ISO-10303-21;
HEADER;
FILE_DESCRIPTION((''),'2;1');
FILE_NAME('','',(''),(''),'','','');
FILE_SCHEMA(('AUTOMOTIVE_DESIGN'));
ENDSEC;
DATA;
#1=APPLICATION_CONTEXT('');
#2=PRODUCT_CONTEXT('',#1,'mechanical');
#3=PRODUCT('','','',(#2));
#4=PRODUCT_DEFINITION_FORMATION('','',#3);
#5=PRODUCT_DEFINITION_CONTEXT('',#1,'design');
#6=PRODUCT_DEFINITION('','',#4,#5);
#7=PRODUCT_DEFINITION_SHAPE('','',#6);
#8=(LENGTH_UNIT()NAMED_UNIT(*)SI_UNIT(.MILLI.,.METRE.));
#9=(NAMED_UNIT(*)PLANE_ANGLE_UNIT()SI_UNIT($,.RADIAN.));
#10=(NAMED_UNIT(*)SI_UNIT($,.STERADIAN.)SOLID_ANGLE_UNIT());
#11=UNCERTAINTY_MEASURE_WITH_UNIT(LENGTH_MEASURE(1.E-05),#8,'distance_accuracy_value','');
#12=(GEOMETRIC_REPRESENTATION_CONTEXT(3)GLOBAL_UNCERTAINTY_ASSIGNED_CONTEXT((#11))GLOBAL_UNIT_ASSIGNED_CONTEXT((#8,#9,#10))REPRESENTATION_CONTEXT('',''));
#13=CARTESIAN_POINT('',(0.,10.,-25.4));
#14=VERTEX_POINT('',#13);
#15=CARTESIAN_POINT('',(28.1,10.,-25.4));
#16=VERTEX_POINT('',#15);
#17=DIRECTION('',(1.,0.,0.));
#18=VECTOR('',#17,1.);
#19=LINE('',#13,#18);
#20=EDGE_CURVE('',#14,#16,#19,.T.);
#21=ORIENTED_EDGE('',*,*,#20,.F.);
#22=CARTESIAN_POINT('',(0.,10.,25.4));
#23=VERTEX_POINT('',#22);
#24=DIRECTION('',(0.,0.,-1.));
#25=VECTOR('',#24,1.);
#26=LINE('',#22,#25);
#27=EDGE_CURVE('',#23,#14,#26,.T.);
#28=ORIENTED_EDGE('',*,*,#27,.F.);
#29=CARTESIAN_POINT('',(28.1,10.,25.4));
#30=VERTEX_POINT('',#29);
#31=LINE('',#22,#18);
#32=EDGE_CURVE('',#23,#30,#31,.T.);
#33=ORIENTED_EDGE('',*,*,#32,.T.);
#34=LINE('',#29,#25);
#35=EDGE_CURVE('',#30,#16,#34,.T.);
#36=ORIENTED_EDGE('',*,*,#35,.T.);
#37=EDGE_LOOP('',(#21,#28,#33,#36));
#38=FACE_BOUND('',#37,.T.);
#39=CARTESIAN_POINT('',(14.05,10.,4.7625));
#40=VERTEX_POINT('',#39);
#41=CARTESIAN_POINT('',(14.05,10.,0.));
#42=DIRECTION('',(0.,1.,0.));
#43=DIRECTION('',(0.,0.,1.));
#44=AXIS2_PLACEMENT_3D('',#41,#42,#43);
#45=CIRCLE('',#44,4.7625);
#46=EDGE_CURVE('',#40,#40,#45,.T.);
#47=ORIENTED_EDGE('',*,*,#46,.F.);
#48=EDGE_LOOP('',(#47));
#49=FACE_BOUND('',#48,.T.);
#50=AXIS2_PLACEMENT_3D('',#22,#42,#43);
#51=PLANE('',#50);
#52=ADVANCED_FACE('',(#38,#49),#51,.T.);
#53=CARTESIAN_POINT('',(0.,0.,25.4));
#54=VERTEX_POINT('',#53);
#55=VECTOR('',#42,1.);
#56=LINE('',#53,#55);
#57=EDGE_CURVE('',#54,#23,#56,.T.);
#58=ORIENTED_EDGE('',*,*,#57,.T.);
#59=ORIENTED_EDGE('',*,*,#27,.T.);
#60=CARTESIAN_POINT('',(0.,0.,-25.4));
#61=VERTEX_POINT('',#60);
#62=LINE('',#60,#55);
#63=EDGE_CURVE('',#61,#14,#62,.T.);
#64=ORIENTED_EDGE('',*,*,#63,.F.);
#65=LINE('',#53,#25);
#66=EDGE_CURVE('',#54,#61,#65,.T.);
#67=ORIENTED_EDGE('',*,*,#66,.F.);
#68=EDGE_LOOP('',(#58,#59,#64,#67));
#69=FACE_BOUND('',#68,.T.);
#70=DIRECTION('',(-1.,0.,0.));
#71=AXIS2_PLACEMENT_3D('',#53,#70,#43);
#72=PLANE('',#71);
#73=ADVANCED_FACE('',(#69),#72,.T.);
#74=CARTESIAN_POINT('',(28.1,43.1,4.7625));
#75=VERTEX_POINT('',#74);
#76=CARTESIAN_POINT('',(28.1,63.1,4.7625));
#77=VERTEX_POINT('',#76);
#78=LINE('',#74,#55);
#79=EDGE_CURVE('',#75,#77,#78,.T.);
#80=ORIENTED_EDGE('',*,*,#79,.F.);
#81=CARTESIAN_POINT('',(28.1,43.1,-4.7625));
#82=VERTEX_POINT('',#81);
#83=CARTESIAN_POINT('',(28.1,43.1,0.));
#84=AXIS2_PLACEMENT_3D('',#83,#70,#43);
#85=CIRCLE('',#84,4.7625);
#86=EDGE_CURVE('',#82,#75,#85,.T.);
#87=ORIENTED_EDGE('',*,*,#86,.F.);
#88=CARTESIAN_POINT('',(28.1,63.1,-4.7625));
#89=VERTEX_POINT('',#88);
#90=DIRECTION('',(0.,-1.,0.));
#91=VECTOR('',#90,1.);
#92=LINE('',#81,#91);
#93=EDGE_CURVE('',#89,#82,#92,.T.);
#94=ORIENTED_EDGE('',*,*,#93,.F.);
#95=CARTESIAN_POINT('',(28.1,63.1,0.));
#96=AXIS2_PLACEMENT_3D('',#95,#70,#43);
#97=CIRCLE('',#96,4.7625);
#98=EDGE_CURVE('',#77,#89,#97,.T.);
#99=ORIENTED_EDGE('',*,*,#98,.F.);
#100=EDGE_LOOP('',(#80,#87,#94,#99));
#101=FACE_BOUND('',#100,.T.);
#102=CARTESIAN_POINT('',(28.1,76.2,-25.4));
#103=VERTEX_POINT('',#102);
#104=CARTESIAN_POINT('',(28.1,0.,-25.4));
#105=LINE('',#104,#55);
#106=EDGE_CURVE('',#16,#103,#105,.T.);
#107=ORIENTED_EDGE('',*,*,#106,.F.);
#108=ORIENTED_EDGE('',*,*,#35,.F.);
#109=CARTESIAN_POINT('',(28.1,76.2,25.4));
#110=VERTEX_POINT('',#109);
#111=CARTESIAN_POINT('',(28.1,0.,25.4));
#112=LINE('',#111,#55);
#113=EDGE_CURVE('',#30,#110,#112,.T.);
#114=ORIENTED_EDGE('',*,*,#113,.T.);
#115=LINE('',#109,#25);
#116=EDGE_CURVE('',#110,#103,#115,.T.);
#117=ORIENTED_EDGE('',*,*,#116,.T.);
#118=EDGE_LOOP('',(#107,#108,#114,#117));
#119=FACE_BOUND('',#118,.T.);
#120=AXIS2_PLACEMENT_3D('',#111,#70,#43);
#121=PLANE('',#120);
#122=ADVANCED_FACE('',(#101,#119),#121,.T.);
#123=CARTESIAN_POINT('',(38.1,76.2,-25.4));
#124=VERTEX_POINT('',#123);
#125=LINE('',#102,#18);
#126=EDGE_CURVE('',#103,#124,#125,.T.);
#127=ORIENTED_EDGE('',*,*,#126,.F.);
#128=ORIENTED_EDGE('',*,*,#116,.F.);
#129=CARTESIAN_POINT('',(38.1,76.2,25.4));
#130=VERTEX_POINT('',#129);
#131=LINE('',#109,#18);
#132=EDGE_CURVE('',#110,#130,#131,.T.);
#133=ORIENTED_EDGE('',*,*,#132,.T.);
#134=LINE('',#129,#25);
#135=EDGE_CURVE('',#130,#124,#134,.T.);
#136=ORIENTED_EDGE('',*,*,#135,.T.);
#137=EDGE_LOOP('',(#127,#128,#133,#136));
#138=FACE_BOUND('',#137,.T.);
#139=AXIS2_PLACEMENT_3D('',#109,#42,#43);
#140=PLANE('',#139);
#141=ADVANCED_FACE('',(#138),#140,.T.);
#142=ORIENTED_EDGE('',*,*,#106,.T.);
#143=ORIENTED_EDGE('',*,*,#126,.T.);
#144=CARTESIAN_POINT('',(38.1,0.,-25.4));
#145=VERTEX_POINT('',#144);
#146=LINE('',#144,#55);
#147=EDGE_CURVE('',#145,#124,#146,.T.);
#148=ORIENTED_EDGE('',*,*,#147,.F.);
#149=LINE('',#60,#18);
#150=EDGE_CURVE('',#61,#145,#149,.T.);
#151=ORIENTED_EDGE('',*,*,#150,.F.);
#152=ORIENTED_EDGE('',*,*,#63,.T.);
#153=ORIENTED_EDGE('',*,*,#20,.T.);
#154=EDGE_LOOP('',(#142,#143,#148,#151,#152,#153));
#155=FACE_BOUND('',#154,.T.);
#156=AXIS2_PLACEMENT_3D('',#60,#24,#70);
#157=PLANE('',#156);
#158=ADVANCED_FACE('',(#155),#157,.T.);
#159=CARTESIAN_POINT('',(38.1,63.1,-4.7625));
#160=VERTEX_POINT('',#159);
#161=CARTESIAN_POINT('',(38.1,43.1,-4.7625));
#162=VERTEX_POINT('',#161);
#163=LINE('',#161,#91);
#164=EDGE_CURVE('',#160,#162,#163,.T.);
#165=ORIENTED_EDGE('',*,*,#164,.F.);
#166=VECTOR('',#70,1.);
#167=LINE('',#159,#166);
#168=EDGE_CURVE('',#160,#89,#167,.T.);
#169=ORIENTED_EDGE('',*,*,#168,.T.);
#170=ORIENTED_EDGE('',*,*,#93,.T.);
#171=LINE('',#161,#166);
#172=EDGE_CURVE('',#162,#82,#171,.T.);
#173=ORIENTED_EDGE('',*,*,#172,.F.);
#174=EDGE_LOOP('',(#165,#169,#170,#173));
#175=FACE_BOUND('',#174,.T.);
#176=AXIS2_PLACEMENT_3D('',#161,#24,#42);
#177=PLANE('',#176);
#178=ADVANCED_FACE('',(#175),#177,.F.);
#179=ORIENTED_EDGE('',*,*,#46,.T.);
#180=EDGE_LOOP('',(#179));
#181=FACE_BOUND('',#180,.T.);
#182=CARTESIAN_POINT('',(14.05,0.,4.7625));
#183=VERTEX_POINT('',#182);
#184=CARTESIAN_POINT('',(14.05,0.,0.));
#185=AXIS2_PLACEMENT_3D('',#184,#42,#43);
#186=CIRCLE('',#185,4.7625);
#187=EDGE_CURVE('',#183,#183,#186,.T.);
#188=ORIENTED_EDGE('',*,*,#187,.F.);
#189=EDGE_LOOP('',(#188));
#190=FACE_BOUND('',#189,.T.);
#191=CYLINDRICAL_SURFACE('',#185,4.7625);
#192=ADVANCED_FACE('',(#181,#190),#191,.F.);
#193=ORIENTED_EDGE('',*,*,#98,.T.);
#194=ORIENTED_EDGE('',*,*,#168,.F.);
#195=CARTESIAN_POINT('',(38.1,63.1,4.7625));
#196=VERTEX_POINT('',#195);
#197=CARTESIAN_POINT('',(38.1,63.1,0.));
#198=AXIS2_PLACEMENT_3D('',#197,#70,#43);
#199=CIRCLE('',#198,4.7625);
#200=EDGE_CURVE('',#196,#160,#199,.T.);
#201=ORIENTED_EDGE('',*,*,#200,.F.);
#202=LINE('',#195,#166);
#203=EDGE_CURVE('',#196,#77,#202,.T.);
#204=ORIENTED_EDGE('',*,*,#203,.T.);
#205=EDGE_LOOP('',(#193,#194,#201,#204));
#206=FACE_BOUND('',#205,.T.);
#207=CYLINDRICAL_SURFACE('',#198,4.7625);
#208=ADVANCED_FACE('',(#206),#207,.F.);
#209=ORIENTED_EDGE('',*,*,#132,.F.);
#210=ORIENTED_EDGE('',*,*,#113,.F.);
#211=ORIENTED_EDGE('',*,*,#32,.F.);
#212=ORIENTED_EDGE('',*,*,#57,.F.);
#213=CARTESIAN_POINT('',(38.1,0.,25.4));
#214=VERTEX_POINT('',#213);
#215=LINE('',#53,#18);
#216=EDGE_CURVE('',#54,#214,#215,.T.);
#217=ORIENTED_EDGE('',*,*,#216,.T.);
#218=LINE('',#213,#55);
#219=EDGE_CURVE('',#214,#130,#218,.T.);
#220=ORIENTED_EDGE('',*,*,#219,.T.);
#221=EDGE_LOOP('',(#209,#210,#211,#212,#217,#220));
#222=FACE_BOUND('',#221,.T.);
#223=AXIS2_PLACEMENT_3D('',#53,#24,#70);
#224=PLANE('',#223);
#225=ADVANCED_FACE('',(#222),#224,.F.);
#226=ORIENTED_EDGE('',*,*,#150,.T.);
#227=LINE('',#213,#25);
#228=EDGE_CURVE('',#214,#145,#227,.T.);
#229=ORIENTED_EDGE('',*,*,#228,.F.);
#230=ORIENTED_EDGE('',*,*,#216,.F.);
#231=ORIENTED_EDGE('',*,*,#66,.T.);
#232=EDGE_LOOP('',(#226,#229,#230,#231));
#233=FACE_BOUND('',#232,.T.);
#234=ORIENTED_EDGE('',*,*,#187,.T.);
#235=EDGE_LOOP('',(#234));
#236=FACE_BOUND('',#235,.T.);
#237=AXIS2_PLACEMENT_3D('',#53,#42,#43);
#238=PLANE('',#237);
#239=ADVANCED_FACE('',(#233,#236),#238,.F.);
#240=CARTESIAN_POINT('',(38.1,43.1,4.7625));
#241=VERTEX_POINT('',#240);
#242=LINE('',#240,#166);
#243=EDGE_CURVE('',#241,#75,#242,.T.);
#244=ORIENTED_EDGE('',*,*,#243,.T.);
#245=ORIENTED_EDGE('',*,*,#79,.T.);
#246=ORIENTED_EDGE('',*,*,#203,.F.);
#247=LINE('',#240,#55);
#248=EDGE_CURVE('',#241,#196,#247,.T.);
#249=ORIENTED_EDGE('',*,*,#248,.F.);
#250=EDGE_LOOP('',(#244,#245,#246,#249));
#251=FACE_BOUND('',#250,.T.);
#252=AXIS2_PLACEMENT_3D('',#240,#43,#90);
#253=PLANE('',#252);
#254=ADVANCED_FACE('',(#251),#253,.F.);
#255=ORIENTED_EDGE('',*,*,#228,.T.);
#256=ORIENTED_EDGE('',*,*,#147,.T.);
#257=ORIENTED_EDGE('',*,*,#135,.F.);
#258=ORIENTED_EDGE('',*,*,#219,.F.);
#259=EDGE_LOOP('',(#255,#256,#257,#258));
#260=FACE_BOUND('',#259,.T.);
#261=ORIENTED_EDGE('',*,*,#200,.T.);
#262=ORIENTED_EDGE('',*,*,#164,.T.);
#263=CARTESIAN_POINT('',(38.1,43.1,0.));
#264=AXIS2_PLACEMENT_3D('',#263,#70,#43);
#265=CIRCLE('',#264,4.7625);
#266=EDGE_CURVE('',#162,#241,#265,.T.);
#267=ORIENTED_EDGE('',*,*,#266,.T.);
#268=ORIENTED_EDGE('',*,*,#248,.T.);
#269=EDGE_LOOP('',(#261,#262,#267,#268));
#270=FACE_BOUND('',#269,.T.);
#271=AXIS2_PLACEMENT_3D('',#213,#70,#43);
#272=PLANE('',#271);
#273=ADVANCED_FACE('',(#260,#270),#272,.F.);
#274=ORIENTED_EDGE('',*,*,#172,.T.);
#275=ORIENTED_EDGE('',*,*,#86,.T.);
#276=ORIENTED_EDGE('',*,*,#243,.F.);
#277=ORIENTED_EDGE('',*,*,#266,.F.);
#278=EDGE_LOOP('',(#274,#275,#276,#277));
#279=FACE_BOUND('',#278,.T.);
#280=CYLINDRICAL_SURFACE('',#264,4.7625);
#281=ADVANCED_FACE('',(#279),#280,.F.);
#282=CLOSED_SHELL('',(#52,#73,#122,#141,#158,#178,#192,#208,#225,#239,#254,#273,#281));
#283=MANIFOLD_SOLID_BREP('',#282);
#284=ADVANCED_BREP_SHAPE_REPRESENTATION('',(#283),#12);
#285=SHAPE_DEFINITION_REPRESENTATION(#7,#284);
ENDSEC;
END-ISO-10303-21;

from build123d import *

# Parameters (mm, degrees)
EXTRUIR_L_MINA1_DEPTH = 25.4
CROQUIS2_R            = 4.7625
CORTAR_EXTRUIR1_DEPTH = 81.493540113
CORTAR_EXTRUIR2_DEPTH = 10


with BuildPart() as part:
    # Croquis1 → Extruir-Lámina1 (new, symmetric)
    with BuildSketch(Plane.XY):
        Polygon((0, 0), (38.1, 0), (38.1, 76.2), (28.1, 76.2), (28.1, 10), (0, 10), align=None)
    extrude(amount=EXTRUIR_L_MINA1_DEPTH, both=True)

    # Croquis2 → Cortar-Extruir1 (cut, through all)
    with BuildSketch(Plane(origin=(0, 10, 0), x_dir=(1, 0, 0), z_dir=(0, 1, 0))):
        with Locations(Location((14.05, 0, 0), (0, 0, 270))):
            Circle(CROQUIS2_R)
    extrude(amount=-CORTAR_EXTRUIR1_DEPTH, mode=Mode.SUBTRACT)

    # Croquis3 → Cortar-Extruir2 (cut)
    with BuildSketch(Plane.ZY.offset(-28.1)):
        with BuildLine():
            Line((-4.7625, 43.1), (-4.7625, 63.1))
            ThreePointArc((-4.7625, 63.1), (0, 67.8625), (4.7625, 63.1))
            Line((4.7625, 63.1), (4.7625, 43.1))
            ThreePointArc((4.7625, 43.1), (0, 38.3375), (-4.7625, 43.1))
        make_face()
    extrude(amount=-CORTAR_EXTRUIR2_DEPTH, mode=Mode.SUBTRACT)


solid = part.part
